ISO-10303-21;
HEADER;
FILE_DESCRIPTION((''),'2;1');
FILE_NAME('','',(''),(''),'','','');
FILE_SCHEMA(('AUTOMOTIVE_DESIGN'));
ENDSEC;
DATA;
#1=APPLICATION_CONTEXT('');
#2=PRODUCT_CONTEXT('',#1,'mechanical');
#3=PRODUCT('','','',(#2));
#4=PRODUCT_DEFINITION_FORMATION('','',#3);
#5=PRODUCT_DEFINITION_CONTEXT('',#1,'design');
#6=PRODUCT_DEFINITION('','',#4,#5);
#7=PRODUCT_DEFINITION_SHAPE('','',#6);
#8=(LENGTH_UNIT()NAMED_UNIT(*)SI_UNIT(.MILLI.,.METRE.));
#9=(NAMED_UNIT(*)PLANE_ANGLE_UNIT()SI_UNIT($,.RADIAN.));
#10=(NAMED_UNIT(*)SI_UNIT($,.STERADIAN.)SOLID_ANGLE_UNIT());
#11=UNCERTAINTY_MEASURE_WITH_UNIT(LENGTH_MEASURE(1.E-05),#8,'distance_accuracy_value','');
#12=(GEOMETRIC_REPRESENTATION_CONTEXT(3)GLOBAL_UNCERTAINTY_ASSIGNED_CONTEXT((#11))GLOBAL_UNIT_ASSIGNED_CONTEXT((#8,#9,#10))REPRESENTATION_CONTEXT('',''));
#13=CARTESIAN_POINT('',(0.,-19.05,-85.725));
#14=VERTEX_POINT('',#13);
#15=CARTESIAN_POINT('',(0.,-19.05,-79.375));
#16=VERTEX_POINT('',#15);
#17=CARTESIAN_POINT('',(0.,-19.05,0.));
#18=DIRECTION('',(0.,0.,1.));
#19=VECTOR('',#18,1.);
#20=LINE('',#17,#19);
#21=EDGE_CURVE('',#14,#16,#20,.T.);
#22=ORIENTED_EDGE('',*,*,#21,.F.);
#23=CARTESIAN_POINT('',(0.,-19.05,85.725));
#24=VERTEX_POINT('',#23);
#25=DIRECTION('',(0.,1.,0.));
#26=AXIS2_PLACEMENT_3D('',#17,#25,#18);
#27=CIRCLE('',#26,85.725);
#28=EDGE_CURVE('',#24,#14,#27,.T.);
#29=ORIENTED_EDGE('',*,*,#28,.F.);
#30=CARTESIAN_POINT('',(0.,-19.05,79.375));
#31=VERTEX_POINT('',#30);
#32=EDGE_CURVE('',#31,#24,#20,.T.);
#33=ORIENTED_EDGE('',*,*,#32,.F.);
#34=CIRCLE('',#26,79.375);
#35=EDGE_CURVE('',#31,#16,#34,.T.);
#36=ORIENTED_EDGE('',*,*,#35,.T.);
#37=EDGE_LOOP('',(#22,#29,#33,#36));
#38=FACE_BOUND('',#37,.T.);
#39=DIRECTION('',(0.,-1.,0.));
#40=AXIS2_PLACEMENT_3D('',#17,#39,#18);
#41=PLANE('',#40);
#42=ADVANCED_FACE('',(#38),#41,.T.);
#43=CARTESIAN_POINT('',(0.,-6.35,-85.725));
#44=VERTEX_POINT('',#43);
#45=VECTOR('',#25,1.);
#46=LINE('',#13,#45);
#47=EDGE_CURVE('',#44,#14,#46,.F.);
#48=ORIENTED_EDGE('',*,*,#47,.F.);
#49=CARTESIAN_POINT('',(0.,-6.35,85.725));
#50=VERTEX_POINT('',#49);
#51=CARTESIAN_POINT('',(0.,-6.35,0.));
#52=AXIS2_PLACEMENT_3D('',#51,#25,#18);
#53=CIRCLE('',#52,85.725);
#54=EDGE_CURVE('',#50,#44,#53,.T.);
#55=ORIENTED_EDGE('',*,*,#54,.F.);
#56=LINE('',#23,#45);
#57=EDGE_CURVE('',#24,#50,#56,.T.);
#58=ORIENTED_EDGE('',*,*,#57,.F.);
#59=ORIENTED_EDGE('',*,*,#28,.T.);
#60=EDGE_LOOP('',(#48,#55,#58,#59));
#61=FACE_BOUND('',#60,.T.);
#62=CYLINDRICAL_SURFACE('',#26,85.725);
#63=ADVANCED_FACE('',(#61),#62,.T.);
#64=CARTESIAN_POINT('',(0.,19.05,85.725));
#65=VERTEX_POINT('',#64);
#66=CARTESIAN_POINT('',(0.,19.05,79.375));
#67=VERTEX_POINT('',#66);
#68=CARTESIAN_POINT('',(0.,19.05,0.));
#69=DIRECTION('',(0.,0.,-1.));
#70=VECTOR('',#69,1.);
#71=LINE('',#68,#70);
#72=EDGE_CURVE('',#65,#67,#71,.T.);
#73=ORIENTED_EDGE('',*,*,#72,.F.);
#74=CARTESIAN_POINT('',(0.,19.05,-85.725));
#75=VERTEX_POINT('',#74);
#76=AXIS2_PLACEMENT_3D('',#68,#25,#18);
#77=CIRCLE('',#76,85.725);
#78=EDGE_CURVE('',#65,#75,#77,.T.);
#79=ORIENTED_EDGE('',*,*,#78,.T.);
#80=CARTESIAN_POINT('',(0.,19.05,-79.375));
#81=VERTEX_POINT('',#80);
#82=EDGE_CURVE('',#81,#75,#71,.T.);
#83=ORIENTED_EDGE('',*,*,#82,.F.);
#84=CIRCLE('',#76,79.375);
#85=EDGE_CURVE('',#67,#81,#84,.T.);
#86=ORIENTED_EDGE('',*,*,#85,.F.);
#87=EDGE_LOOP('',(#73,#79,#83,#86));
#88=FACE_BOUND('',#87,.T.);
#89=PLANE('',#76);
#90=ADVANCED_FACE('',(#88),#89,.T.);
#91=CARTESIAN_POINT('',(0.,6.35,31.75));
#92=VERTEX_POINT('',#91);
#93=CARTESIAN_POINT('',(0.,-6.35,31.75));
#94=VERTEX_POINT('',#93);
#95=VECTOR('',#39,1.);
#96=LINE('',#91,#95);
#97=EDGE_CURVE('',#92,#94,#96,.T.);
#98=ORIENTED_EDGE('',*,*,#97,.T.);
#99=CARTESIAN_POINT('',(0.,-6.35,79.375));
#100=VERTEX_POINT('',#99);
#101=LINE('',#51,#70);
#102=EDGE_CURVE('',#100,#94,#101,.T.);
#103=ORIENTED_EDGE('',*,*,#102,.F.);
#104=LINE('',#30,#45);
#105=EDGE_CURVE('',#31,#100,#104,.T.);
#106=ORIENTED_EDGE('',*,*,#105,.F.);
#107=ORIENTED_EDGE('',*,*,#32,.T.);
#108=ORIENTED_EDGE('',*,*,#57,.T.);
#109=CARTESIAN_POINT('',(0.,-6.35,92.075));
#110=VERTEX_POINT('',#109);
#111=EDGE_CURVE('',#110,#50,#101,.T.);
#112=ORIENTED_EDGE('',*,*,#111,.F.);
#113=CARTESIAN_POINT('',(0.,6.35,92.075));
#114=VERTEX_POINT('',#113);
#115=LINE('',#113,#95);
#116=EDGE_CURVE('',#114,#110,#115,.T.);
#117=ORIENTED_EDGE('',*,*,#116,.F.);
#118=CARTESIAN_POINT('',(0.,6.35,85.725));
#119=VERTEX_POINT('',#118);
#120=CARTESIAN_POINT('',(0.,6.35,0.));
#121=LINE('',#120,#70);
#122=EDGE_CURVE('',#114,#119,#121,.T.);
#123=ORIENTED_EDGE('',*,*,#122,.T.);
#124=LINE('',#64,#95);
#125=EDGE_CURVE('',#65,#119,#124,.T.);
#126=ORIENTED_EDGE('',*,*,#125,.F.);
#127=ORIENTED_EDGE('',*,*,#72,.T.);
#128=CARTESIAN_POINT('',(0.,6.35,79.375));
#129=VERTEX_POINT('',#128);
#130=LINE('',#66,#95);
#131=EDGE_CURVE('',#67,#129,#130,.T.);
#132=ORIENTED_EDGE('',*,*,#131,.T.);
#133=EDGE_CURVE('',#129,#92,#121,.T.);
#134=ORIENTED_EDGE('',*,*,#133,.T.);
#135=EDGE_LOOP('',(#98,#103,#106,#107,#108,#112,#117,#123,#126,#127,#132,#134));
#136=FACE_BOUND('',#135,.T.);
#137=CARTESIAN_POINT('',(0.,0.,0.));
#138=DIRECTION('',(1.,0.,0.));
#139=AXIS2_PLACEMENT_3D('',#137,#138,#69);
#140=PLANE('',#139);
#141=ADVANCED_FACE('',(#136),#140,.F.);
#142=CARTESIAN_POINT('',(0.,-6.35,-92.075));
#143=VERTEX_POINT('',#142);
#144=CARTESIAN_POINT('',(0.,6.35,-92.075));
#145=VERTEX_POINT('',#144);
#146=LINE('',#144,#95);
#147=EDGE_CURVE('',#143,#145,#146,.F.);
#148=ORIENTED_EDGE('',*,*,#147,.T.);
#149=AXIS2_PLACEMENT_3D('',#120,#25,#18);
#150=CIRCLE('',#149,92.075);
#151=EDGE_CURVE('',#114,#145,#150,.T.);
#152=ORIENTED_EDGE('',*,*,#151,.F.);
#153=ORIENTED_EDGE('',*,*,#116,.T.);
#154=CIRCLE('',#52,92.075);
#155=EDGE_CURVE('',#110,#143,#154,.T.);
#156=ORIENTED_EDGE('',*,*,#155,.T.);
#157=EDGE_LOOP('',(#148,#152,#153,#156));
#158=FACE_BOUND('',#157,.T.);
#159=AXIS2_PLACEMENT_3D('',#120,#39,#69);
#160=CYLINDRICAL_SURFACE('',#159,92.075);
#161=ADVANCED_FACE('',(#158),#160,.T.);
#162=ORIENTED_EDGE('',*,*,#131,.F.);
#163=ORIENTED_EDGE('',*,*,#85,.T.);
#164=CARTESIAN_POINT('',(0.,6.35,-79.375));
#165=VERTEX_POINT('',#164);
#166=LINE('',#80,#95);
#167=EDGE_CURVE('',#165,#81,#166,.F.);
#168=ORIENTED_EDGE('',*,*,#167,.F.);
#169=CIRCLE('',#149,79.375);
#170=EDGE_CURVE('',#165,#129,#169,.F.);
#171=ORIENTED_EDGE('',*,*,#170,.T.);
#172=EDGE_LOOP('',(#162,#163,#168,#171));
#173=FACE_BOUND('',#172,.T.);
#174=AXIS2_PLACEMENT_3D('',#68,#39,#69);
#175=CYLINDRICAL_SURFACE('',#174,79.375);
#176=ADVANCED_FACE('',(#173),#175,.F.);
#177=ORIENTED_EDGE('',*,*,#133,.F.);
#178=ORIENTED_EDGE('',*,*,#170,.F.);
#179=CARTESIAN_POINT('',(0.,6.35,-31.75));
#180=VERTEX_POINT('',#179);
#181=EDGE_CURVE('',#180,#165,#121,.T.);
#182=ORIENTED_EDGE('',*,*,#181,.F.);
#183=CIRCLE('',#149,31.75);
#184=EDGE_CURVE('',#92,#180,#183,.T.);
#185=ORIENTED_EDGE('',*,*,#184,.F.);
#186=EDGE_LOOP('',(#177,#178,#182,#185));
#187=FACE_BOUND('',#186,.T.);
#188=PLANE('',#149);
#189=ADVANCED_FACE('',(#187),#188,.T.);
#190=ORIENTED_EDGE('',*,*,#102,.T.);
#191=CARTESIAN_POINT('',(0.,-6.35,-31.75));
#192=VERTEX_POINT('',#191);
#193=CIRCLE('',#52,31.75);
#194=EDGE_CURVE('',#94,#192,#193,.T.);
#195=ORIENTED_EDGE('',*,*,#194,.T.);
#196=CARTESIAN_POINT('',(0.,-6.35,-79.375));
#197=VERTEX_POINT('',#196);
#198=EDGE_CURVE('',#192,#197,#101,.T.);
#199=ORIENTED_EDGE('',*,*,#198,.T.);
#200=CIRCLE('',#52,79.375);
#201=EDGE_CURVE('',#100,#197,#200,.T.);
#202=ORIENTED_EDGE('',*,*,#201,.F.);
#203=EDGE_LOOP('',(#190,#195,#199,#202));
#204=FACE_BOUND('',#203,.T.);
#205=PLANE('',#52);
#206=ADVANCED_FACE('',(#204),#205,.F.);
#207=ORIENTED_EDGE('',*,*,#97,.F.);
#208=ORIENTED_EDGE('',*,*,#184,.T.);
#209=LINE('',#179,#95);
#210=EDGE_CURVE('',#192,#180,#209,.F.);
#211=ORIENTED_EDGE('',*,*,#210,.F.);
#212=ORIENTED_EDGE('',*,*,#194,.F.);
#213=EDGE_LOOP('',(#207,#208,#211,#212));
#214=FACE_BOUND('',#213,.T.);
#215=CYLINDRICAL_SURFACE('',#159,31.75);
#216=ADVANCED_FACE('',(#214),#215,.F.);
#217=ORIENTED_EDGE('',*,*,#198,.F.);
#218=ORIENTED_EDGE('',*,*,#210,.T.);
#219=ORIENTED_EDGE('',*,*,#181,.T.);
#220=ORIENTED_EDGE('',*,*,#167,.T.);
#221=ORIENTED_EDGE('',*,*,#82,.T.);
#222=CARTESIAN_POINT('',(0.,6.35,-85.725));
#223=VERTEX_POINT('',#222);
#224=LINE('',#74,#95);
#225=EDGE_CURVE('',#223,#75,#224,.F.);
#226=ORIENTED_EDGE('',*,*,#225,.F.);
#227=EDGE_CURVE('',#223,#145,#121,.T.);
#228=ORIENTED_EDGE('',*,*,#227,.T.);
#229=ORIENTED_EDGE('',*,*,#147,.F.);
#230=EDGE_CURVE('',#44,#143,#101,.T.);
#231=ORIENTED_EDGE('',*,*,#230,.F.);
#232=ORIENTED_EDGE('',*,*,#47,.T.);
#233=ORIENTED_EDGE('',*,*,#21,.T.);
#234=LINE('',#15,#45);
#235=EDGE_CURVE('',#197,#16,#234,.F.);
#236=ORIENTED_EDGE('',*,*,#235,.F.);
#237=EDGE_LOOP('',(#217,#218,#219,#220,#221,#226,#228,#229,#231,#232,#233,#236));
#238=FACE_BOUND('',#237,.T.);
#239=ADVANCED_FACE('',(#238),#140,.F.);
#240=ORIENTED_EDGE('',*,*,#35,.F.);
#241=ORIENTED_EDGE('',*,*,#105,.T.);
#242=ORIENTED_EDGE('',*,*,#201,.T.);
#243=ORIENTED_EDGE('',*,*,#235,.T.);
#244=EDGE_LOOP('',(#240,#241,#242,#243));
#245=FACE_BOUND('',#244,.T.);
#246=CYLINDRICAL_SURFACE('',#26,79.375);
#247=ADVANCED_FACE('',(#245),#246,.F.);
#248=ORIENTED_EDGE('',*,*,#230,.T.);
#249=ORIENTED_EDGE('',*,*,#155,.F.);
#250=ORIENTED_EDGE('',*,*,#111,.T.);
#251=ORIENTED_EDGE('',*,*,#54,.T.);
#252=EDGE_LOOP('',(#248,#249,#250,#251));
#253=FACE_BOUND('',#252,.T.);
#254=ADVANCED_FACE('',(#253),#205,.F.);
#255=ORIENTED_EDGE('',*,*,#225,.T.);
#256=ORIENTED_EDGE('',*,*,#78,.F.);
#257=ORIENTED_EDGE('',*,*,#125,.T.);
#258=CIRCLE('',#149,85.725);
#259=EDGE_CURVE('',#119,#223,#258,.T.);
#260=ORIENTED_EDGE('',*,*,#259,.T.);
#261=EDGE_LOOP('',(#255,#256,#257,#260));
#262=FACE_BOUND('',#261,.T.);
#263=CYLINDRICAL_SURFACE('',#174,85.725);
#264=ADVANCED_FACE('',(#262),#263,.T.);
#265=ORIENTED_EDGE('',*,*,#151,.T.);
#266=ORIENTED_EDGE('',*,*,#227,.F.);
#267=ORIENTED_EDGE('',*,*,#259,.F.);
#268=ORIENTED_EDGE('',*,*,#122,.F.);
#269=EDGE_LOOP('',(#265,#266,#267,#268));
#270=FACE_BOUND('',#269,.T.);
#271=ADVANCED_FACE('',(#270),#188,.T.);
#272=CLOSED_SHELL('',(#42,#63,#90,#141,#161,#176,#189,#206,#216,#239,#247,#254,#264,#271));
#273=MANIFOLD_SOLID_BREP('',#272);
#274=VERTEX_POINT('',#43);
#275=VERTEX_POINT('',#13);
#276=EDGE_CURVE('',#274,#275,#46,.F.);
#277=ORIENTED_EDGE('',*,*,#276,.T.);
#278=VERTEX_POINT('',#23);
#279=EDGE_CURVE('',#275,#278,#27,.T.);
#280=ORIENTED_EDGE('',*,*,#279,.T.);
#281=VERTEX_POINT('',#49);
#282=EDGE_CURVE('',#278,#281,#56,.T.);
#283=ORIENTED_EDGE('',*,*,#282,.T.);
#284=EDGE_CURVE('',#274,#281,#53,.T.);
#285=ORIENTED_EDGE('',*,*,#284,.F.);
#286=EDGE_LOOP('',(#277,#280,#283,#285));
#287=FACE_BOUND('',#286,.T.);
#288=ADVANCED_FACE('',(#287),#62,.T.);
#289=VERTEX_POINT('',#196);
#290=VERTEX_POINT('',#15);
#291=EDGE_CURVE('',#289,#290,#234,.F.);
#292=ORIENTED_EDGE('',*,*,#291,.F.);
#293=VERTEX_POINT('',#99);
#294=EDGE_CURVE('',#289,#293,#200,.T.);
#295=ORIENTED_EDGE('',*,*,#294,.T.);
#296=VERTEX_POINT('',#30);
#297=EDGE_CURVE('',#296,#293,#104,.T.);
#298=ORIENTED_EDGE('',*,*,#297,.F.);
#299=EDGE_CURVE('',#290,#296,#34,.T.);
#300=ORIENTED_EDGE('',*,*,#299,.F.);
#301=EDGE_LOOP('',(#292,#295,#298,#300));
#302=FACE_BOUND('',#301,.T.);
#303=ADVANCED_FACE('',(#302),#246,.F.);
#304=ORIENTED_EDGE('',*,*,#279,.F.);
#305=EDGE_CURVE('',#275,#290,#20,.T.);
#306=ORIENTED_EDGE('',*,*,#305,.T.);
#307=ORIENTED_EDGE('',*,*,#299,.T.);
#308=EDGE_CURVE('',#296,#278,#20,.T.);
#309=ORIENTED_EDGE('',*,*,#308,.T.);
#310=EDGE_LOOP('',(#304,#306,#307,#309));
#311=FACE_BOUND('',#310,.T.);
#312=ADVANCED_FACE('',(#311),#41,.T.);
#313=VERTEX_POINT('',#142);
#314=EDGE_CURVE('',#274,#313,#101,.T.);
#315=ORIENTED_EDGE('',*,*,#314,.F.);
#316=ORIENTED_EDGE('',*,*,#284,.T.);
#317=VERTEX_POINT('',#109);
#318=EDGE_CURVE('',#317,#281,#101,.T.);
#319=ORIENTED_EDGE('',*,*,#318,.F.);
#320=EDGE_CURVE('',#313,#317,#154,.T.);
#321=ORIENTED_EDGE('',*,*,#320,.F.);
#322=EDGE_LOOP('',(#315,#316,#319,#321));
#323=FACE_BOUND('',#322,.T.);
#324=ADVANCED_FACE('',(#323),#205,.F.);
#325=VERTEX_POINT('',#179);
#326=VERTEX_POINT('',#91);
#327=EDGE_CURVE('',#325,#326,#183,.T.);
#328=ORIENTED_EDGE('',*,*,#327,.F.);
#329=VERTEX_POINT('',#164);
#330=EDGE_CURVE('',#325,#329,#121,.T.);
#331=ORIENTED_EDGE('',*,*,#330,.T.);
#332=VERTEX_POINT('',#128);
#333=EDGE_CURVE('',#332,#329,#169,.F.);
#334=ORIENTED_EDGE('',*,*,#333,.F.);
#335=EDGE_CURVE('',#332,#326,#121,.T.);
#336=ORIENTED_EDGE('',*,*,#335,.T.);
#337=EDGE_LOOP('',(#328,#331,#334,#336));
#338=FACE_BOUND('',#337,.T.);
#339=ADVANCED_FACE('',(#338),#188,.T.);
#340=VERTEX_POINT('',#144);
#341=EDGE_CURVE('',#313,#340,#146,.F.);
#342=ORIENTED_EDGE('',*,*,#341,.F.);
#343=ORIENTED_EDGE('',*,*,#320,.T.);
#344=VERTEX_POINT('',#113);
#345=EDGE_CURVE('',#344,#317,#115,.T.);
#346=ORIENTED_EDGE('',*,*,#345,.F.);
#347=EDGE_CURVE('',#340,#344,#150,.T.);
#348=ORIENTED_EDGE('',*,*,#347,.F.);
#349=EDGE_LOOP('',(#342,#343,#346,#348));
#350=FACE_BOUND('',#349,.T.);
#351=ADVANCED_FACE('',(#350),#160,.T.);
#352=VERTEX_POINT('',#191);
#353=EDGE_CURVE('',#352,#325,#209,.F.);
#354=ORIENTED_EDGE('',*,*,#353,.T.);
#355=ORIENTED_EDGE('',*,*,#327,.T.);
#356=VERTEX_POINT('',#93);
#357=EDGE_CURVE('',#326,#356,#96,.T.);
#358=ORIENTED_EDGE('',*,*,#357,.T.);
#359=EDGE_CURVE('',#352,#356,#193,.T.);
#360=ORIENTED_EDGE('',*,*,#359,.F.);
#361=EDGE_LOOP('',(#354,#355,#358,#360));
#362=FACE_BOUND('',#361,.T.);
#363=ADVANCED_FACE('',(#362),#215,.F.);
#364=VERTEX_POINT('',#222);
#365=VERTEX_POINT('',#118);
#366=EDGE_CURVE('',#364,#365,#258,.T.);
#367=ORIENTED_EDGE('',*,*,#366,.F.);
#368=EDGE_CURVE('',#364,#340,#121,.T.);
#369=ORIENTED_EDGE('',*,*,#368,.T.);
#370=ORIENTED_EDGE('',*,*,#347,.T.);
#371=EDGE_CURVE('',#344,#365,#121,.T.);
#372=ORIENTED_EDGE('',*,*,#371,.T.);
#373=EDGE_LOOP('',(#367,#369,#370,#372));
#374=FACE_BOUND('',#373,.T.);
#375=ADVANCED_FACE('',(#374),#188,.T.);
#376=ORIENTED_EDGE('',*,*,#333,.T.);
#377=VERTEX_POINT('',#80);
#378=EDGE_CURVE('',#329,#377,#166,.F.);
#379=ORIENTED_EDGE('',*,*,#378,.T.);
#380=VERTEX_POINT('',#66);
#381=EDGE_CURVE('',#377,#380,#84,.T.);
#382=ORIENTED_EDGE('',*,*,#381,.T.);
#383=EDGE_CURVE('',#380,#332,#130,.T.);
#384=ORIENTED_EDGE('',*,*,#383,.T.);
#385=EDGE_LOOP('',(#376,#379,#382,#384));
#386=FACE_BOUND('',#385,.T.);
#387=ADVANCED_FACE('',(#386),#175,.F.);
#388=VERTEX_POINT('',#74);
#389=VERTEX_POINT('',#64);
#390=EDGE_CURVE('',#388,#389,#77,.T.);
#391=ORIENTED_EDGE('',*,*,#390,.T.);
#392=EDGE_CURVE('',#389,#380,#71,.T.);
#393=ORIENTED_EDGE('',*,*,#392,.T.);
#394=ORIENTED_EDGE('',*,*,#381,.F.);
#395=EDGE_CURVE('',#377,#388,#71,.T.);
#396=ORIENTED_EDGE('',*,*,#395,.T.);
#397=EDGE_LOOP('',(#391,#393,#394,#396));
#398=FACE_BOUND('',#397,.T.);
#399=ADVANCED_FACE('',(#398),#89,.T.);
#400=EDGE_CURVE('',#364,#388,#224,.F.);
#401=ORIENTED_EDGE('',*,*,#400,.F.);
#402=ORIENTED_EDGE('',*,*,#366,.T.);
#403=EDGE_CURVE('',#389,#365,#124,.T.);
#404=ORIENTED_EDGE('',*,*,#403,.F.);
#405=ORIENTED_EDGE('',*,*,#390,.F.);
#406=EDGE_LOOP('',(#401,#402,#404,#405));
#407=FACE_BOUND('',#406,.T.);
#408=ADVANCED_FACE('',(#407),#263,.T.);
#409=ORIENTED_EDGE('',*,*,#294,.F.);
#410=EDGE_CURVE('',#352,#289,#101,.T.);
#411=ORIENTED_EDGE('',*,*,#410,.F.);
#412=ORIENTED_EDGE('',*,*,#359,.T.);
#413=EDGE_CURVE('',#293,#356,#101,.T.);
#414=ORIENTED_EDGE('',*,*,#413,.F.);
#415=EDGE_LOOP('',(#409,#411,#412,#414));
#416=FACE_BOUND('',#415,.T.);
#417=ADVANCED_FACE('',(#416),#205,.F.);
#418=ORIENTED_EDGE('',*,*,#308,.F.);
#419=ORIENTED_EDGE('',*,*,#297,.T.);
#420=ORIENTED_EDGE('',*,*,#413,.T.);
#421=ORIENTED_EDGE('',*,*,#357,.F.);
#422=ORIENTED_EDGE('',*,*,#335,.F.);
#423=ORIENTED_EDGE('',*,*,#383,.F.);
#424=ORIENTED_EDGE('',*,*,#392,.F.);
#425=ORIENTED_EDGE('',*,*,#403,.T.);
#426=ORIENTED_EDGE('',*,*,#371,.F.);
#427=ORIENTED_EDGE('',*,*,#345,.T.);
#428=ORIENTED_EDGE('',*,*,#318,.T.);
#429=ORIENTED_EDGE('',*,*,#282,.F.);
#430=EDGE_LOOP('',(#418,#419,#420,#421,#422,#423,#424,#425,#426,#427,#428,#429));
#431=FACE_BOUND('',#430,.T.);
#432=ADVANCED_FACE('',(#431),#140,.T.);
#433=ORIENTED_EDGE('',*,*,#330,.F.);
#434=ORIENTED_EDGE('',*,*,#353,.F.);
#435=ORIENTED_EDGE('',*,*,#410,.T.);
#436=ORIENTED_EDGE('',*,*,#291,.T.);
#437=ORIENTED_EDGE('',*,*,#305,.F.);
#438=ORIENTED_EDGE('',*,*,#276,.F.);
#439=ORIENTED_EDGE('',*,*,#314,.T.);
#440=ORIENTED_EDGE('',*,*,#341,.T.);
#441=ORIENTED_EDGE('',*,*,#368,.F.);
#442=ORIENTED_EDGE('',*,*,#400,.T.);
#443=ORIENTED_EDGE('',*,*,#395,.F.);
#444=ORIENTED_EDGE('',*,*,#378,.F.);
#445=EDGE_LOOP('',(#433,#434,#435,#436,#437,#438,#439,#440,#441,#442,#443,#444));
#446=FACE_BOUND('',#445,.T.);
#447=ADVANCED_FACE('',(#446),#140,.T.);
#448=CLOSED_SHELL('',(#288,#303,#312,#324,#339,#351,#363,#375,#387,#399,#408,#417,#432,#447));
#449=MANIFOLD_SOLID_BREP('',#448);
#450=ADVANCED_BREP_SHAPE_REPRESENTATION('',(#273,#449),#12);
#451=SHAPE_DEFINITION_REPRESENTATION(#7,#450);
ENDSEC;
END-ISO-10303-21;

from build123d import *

# Parameters (mm, degrees)
SKETCH1_R            = 92.075
SKETCH1_R_2          = 31.75
BOSS_EXTRUDE1_DEPTH  = 6.35
SKETCH5_R            = 85.725
SKETCH5_R_2          = 79.375
BOSS_EXTRUDE2_DEPTH  = 12.7
BOSS_EXTRUDE3_DEPTH  = 25.4
MIRROR5_COPY_1_DEPTH = 25.4
MIRROR5_COPY_2_DEPTH = 25.4


with BuildPart() as part:
    # Sketch1 → Boss-Extrude1 (new, symmetric)
    with BuildSketch(Plane(origin=(0, 0, 0), x_dir=(1, 0, 0), z_dir=(0, 1, 0))):
        with Locations(Location((0, 0, 0), (0, 0, 270))):
            Circle(SKETCH1_R)
        with Locations(Location((0, 0, 0), (0, 0, 270))):
            Circle(SKETCH1_R_2, mode=Mode.SUBTRACT)
    extrude(amount=BOSS_EXTRUDE1_DEPTH, both=True)

    # Sketch5 → Boss-Extrude2 (add)
    with BuildSketch(Plane(origin=(0, 6.35, 0), x_dir=(1, 0, 0), z_dir=(0, 1, 0))):
        with Locations(Location((0, 0, 0), (0, 0, 270))):
            Circle(SKETCH5_R)
        with Locations(Location((0, 0, 0), (0, 0, 270))):
            Circle(SKETCH5_R_2, mode=Mode.SUBTRACT)
    boss_extrude2 = extrude(amount=BOSS_EXTRUDE2_DEPTH)

    # Mirror1: Boss-Extrude2 across plane
    add(boss_extrude2.mirror(Plane.ZX))

    # Sketch7 → Boss-Extrude3 (add)
    with BuildSketch(Plane(origin=(0, 19.05, 0), x_dir=(1, 0, 0), z_dir=(0, 1, 0))):
        with BuildLine():
            Line((-25.787822327, 75.06916041), (-28.166257291, 80.965656764))
            ThreePointArc((-28.166257291, 80.965656764), (0, 85.725), (28.166257291, 80.965656764))
            Line((28.166257291, 80.965656764), (25.787822327, 75.06916041))
            ThreePointArc((25.787822327, 75.06916041), (0, 79.375), (-25.787822327, 75.06916041))
        make_face()
    boss_extrude3 = extrude(amount=-BOSS_EXTRUDE3_DEPTH)

    # Mirror3: Boss-Extrude3 across plane
    add(boss_extrude3.mirror(Plane.ZX))

    # Mirror4: Boss-Extrude3 across plane
    add(boss_extrude3.mirror(Plane.XY))

    # Mirror5 copy 1 sketch → Mirror5 copy 1 (add)
    with BuildSketch(Plane.XZ.offset(19.05)):
        with BuildLine():
            Line((-25.787822327, 75.06916041), (-28.166257291, 80.965656764))
            ThreePointArc((-28.166257291, 80.965656764), (0, 85.725), (28.166257291, 80.965656764))
            Line((28.166257291, 80.965656764), (25.787822327, 75.06916041))
            ThreePointArc((25.787822327, 75.06916041), (0, 79.375), (-25.787822327, 75.06916041))
        make_face()
    extrude(amount=-MIRROR5_COPY_1_DEPTH)

    # Mirror5 copy 2 sketch → Mirror5 copy 2 (add)
    with BuildSketch(Plane.XZ.offset(19.05)):
        with BuildLine():
            Line((-25.787822327, -75.06916041), (-28.166257291, -80.965656764))
            ThreePointArc((-28.166257291, -80.965656764), (0, -85.725), (28.166257291, -80.965656764))
            Line((28.166257291, -80.965656764), (25.787822327, -75.06916041))
            ThreePointArc((25.787822327, -75.06916041), (0, -79.375), (-25.787822327, -75.06916041))
        make_face()
    extrude(amount=-MIRROR5_COPY_2_DEPTH)


with BuildPart() as body_2:
    # Split1: the piece on the far side of the plane
    add(part.part)
    split(bisect_by=Plane(origin=(0, 0, 0), x_dir=(0, 0, 1), z_dir=(1, 0, 0)), keep=Keep.BOTTOM)


with BuildPart() as part_1:
    add(part.part)

    # Split1
    split(bisect_by=Plane(origin=(0, 0, 0), x_dir=(0, 0, 1), z_dir=(1, 0, 0)), keep=Keep.TOP)


solid = Compound([body_2.part, part_1.part])
